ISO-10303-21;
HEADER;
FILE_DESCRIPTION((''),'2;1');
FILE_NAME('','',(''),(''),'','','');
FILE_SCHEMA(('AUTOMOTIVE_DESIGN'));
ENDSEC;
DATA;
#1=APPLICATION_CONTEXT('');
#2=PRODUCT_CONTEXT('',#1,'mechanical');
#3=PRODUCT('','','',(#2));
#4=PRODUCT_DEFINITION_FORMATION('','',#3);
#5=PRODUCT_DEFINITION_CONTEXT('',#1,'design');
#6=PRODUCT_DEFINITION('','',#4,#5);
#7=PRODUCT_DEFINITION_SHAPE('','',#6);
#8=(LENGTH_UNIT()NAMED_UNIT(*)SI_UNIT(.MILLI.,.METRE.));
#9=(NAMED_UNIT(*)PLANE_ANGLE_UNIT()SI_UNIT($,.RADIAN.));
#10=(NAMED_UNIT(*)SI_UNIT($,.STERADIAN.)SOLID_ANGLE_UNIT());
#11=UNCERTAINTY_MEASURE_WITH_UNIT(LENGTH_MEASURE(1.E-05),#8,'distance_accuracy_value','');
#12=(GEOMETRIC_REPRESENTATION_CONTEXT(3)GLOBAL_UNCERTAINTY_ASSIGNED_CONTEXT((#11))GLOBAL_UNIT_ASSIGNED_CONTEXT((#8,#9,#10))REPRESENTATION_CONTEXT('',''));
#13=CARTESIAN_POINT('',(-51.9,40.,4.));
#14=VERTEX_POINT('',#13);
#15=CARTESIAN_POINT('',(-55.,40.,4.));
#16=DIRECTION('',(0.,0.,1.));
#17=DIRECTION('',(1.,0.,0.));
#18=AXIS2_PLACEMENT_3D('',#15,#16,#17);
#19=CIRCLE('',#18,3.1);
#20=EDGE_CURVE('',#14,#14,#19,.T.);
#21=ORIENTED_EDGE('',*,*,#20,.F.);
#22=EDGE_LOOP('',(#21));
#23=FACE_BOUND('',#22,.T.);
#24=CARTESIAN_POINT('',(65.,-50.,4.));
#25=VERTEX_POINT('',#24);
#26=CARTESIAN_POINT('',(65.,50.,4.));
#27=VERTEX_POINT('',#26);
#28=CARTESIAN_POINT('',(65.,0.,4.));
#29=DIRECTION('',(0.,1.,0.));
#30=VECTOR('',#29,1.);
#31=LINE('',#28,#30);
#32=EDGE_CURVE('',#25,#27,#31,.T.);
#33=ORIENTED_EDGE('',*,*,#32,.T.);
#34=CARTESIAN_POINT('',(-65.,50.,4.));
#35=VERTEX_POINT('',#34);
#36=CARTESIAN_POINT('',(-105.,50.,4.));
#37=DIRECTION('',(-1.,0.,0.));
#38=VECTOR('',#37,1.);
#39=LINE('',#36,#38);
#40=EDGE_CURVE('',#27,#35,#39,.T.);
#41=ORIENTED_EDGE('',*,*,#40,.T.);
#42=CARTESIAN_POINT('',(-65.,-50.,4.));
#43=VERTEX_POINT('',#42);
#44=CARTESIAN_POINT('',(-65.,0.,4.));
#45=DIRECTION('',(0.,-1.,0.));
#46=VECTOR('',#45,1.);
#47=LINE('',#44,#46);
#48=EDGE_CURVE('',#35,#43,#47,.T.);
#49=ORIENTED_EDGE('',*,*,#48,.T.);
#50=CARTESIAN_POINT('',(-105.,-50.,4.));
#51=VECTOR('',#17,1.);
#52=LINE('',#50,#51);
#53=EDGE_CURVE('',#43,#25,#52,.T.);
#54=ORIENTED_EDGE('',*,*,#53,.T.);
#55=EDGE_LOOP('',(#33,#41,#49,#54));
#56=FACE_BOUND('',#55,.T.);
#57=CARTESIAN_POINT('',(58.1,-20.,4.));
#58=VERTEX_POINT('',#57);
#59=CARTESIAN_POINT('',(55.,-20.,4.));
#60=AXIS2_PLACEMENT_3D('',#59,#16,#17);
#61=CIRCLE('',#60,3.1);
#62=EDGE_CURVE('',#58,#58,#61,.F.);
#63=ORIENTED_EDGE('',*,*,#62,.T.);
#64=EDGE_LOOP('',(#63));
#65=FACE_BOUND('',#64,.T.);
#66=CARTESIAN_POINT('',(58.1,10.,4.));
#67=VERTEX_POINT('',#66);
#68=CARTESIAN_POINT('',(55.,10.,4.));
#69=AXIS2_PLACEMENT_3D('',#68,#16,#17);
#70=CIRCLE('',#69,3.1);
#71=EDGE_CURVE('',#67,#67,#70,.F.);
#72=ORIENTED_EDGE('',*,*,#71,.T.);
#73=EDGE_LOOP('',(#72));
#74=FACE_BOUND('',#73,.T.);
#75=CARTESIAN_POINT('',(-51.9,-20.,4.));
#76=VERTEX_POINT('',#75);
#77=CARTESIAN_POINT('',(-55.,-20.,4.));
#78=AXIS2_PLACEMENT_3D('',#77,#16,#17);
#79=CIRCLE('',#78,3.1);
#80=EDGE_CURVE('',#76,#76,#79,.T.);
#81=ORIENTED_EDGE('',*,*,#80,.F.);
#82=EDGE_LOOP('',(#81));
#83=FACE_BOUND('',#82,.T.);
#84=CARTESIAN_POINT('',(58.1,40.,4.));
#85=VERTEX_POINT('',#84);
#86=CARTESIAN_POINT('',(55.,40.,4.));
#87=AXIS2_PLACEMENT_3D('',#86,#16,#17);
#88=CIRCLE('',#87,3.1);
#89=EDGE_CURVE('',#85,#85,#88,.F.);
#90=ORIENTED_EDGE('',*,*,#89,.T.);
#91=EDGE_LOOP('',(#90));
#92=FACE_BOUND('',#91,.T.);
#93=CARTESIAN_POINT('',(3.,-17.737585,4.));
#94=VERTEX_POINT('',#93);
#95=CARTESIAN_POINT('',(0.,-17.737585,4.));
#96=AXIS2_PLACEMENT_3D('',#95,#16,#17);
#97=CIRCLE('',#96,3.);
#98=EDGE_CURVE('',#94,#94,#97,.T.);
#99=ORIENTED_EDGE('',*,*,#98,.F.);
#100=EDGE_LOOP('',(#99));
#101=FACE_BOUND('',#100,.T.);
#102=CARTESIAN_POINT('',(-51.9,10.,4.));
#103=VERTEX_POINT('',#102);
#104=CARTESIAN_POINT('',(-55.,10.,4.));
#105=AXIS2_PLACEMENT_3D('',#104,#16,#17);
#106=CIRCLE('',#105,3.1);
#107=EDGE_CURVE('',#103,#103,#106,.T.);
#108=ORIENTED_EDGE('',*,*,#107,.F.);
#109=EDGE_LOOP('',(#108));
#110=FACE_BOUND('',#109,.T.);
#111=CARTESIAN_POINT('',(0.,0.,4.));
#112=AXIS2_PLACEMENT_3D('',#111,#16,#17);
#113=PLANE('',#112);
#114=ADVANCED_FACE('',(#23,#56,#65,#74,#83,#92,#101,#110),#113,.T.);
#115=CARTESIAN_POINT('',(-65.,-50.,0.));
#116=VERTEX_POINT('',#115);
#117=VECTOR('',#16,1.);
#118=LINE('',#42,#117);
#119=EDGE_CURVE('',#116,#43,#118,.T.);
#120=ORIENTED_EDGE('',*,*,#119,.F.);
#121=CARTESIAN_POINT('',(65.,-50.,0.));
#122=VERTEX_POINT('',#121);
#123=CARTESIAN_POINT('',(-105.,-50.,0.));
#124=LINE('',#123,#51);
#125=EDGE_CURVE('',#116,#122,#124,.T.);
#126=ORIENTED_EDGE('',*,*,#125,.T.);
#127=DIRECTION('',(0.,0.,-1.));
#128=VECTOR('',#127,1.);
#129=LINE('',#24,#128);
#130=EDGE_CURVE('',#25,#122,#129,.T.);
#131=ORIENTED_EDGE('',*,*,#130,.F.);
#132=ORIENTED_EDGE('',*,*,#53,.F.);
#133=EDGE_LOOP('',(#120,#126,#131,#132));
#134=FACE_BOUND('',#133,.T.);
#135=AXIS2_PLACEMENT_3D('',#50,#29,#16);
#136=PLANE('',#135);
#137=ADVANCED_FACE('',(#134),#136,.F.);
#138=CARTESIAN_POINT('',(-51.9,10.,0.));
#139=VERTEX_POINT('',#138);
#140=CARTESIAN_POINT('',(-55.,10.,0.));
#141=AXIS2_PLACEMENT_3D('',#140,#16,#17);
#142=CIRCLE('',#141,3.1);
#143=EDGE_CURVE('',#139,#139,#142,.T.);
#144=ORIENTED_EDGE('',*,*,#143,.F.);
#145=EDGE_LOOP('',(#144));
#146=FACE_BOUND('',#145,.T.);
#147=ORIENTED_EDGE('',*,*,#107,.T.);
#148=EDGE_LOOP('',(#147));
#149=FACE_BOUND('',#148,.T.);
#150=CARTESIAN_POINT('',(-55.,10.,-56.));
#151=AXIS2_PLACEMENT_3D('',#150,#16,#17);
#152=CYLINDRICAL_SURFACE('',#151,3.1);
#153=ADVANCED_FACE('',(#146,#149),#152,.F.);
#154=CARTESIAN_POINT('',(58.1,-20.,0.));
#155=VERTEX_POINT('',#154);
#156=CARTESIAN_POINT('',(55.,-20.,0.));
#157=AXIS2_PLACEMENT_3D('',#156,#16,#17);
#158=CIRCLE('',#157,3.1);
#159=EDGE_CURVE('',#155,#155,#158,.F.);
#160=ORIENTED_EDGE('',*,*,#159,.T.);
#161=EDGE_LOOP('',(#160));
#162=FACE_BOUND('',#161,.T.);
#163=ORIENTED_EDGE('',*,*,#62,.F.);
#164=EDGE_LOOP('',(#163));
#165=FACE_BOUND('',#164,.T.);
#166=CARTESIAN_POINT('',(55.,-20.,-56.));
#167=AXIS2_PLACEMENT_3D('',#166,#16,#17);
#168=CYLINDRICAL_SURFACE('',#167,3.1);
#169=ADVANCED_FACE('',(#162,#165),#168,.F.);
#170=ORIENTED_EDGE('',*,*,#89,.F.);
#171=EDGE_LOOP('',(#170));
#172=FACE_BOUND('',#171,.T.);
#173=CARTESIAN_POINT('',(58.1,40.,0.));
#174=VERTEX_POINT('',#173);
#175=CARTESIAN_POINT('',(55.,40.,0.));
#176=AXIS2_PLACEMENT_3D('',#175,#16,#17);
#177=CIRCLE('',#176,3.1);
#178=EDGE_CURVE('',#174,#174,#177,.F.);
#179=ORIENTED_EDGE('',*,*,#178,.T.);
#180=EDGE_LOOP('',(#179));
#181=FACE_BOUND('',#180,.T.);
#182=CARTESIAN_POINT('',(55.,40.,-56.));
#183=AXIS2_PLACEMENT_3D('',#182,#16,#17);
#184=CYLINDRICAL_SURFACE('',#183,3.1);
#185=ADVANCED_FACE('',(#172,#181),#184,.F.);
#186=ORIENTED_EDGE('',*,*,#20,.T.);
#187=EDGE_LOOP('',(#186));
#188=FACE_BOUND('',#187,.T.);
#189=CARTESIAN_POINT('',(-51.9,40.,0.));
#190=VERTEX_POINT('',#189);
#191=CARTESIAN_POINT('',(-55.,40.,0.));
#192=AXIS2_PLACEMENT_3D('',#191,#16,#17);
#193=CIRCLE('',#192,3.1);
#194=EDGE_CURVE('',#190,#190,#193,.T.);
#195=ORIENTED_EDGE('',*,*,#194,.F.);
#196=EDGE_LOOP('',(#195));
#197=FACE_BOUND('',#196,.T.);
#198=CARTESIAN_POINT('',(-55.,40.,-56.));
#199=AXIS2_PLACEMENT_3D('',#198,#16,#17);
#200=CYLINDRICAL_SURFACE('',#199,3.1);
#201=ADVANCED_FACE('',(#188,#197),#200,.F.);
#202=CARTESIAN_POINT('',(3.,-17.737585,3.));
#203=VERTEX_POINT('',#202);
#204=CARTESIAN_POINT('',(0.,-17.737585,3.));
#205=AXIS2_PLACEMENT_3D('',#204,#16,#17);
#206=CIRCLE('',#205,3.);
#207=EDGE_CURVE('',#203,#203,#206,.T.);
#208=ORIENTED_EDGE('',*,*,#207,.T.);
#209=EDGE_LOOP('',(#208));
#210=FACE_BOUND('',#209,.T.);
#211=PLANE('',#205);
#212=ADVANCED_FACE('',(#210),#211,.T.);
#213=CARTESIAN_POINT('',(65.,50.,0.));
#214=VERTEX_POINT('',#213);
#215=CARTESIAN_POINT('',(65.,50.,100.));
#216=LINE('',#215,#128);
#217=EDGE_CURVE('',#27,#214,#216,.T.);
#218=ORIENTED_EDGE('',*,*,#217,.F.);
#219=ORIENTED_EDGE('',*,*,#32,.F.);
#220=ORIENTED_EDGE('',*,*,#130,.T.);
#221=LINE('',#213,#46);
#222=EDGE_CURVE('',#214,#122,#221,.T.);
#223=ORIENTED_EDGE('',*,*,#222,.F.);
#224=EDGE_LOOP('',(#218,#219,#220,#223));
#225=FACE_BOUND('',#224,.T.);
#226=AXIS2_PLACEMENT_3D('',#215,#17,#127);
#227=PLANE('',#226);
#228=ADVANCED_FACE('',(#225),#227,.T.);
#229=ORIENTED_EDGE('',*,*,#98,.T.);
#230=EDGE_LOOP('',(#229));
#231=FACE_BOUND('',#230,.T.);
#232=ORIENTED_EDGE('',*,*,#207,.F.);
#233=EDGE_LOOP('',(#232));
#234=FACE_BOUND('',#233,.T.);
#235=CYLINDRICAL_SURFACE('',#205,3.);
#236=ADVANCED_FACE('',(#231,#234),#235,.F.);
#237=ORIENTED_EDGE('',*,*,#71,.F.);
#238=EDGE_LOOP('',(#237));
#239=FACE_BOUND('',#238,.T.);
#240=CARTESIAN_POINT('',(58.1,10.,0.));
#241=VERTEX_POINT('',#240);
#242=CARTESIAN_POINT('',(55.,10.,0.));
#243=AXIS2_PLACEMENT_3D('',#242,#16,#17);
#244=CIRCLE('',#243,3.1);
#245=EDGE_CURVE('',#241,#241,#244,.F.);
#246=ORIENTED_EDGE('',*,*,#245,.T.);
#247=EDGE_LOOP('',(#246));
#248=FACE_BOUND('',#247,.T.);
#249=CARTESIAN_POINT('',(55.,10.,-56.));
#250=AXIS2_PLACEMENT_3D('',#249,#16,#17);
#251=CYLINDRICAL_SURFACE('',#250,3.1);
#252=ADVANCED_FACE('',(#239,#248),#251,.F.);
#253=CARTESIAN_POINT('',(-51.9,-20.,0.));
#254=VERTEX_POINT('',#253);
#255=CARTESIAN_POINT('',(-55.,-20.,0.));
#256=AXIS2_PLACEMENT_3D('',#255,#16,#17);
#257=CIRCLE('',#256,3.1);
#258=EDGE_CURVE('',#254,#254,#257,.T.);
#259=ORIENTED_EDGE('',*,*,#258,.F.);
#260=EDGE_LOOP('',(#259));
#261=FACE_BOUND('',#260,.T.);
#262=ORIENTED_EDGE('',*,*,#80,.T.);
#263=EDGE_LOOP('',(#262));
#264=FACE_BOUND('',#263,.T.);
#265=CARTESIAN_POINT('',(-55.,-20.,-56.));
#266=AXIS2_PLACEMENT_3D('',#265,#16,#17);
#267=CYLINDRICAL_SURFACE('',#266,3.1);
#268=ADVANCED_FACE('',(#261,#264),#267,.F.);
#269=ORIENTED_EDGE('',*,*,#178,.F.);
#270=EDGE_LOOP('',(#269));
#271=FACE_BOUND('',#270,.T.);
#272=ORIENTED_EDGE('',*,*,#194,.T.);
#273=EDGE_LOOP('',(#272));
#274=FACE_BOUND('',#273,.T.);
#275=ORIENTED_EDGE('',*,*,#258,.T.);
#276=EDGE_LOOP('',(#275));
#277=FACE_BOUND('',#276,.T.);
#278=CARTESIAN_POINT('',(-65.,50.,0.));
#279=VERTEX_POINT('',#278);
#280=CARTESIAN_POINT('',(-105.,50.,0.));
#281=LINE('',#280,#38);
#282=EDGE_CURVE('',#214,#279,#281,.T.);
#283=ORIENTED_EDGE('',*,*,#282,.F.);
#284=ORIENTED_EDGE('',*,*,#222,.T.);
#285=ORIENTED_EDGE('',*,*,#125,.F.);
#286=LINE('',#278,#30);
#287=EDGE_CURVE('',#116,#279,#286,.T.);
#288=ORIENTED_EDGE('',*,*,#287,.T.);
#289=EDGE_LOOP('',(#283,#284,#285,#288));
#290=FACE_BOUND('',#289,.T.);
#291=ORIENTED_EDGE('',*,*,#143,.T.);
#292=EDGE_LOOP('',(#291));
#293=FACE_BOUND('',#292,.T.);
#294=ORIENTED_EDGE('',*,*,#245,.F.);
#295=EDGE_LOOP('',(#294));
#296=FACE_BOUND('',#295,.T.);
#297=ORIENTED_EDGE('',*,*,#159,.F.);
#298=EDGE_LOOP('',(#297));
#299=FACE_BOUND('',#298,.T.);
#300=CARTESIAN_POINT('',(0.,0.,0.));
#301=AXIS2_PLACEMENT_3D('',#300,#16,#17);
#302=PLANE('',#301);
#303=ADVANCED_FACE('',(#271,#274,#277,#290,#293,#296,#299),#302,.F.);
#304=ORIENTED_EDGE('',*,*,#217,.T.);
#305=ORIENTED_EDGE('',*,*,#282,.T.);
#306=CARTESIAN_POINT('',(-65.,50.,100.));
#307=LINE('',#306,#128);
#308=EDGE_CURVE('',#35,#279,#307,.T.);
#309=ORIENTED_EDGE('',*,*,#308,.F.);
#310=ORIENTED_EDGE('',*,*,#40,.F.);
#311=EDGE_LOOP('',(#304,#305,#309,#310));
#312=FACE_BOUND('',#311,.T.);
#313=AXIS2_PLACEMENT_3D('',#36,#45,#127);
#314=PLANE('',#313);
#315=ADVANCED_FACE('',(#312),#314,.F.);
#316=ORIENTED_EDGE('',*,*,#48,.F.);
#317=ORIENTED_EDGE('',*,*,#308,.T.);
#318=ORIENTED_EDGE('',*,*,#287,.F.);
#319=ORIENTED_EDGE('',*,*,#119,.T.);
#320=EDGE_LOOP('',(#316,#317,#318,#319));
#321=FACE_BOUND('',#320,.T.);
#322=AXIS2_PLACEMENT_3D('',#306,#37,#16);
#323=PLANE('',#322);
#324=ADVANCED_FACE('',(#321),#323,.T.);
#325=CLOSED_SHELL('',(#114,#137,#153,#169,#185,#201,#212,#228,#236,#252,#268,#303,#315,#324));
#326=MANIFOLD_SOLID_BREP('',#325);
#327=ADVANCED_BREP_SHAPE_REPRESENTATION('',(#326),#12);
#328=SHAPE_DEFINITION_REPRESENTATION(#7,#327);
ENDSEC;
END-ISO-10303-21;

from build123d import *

# Parameters (mm, degrees)
SKETCH_2_W            = 210
SKETCH_2_H            = 100
EXTRUDE_1_DEPTH       = 4
SKETCH_7_R            = 3
CUT_EXTRUDE_2_DEPTH   = 1
SKETCH_8_R            = 3.1
CUT_EXTRUDE_3_DEPTH   = 60
SKETCH_11_OUTSIDE_W   = 258.526
SKETCH_11_OUTSIDE_H   = 148.526
SKETCH_11_OUTSIDE_W_2 = 130
SKETCH_11_OUTSIDE_H_2 = 100
SKETCH_11_OUTSIDE_R   = 3.1
CUT_EXTRUDE_5_DEPTH   = 100


with BuildPart() as part:
    # 草图2 → 凸台-拉伸1 (new body)
    with BuildSketch(Plane.XY):
        Rectangle(SKETCH_2_W, SKETCH_2_H)
    extrude(amount=EXTRUDE_1_DEPTH)

    # 草图7 → 切除-拉伸2 (cut)
    with BuildSketch(Plane.XY.offset(4)):
        with Locations((0, -17.737584897)):
            Circle(SKETCH_7_R)
    extrude(amount=-CUT_EXTRUDE_2_DEPTH, mode=Mode.SUBTRACT)

    # 草图8 → 切除-拉伸3 (cut)
    with BuildSketch(Plane.XY.offset(4)):
        with Locations((-55, 10)):
            Circle(SKETCH_8_R)
        with Locations((-55, 40)):
            Circle(SKETCH_8_R)
        with Locations((-55, -20)):
            Circle(SKETCH_8_R)
        with Locations((55, 40)):
            Circle(SKETCH_8_R)
        with Locations((55, 10)):
            Circle(SKETCH_8_R)
        with Locations((55, -20)):
            Circle(SKETCH_8_R)
    extrude(amount=-CUT_EXTRUDE_3_DEPTH, mode=Mode.SUBTRACT)

    # 草图11 outside → 切除-拉伸5 (cut)
    # profile 1 of 2: a face of its own
    with BuildSketch(Plane(origin=(0, 0, 0), x_dir=(-1, 0, 0), z_dir=(0, 0, -1))):
        Rectangle(SKETCH_11_OUTSIDE_W, SKETCH_11_OUTSIDE_H)
        Rectangle(SKETCH_11_OUTSIDE_W_2, SKETCH_11_OUTSIDE_H_2, mode=Mode.SUBTRACT)
    # profile 2 of 2: a face of its own
    with BuildSketch(Plane(origin=(0, 0, 0), x_dir=(-1, 0, 0), z_dir=(0, 0, -1))):
        with Locations(Location((55, 40, 0), (0, 0, 180))):
            Circle(SKETCH_11_OUTSIDE_R)
    extrude(amount=-CUT_EXTRUDE_5_DEPTH, mode=Mode.SUBTRACT)


solid = part.part
